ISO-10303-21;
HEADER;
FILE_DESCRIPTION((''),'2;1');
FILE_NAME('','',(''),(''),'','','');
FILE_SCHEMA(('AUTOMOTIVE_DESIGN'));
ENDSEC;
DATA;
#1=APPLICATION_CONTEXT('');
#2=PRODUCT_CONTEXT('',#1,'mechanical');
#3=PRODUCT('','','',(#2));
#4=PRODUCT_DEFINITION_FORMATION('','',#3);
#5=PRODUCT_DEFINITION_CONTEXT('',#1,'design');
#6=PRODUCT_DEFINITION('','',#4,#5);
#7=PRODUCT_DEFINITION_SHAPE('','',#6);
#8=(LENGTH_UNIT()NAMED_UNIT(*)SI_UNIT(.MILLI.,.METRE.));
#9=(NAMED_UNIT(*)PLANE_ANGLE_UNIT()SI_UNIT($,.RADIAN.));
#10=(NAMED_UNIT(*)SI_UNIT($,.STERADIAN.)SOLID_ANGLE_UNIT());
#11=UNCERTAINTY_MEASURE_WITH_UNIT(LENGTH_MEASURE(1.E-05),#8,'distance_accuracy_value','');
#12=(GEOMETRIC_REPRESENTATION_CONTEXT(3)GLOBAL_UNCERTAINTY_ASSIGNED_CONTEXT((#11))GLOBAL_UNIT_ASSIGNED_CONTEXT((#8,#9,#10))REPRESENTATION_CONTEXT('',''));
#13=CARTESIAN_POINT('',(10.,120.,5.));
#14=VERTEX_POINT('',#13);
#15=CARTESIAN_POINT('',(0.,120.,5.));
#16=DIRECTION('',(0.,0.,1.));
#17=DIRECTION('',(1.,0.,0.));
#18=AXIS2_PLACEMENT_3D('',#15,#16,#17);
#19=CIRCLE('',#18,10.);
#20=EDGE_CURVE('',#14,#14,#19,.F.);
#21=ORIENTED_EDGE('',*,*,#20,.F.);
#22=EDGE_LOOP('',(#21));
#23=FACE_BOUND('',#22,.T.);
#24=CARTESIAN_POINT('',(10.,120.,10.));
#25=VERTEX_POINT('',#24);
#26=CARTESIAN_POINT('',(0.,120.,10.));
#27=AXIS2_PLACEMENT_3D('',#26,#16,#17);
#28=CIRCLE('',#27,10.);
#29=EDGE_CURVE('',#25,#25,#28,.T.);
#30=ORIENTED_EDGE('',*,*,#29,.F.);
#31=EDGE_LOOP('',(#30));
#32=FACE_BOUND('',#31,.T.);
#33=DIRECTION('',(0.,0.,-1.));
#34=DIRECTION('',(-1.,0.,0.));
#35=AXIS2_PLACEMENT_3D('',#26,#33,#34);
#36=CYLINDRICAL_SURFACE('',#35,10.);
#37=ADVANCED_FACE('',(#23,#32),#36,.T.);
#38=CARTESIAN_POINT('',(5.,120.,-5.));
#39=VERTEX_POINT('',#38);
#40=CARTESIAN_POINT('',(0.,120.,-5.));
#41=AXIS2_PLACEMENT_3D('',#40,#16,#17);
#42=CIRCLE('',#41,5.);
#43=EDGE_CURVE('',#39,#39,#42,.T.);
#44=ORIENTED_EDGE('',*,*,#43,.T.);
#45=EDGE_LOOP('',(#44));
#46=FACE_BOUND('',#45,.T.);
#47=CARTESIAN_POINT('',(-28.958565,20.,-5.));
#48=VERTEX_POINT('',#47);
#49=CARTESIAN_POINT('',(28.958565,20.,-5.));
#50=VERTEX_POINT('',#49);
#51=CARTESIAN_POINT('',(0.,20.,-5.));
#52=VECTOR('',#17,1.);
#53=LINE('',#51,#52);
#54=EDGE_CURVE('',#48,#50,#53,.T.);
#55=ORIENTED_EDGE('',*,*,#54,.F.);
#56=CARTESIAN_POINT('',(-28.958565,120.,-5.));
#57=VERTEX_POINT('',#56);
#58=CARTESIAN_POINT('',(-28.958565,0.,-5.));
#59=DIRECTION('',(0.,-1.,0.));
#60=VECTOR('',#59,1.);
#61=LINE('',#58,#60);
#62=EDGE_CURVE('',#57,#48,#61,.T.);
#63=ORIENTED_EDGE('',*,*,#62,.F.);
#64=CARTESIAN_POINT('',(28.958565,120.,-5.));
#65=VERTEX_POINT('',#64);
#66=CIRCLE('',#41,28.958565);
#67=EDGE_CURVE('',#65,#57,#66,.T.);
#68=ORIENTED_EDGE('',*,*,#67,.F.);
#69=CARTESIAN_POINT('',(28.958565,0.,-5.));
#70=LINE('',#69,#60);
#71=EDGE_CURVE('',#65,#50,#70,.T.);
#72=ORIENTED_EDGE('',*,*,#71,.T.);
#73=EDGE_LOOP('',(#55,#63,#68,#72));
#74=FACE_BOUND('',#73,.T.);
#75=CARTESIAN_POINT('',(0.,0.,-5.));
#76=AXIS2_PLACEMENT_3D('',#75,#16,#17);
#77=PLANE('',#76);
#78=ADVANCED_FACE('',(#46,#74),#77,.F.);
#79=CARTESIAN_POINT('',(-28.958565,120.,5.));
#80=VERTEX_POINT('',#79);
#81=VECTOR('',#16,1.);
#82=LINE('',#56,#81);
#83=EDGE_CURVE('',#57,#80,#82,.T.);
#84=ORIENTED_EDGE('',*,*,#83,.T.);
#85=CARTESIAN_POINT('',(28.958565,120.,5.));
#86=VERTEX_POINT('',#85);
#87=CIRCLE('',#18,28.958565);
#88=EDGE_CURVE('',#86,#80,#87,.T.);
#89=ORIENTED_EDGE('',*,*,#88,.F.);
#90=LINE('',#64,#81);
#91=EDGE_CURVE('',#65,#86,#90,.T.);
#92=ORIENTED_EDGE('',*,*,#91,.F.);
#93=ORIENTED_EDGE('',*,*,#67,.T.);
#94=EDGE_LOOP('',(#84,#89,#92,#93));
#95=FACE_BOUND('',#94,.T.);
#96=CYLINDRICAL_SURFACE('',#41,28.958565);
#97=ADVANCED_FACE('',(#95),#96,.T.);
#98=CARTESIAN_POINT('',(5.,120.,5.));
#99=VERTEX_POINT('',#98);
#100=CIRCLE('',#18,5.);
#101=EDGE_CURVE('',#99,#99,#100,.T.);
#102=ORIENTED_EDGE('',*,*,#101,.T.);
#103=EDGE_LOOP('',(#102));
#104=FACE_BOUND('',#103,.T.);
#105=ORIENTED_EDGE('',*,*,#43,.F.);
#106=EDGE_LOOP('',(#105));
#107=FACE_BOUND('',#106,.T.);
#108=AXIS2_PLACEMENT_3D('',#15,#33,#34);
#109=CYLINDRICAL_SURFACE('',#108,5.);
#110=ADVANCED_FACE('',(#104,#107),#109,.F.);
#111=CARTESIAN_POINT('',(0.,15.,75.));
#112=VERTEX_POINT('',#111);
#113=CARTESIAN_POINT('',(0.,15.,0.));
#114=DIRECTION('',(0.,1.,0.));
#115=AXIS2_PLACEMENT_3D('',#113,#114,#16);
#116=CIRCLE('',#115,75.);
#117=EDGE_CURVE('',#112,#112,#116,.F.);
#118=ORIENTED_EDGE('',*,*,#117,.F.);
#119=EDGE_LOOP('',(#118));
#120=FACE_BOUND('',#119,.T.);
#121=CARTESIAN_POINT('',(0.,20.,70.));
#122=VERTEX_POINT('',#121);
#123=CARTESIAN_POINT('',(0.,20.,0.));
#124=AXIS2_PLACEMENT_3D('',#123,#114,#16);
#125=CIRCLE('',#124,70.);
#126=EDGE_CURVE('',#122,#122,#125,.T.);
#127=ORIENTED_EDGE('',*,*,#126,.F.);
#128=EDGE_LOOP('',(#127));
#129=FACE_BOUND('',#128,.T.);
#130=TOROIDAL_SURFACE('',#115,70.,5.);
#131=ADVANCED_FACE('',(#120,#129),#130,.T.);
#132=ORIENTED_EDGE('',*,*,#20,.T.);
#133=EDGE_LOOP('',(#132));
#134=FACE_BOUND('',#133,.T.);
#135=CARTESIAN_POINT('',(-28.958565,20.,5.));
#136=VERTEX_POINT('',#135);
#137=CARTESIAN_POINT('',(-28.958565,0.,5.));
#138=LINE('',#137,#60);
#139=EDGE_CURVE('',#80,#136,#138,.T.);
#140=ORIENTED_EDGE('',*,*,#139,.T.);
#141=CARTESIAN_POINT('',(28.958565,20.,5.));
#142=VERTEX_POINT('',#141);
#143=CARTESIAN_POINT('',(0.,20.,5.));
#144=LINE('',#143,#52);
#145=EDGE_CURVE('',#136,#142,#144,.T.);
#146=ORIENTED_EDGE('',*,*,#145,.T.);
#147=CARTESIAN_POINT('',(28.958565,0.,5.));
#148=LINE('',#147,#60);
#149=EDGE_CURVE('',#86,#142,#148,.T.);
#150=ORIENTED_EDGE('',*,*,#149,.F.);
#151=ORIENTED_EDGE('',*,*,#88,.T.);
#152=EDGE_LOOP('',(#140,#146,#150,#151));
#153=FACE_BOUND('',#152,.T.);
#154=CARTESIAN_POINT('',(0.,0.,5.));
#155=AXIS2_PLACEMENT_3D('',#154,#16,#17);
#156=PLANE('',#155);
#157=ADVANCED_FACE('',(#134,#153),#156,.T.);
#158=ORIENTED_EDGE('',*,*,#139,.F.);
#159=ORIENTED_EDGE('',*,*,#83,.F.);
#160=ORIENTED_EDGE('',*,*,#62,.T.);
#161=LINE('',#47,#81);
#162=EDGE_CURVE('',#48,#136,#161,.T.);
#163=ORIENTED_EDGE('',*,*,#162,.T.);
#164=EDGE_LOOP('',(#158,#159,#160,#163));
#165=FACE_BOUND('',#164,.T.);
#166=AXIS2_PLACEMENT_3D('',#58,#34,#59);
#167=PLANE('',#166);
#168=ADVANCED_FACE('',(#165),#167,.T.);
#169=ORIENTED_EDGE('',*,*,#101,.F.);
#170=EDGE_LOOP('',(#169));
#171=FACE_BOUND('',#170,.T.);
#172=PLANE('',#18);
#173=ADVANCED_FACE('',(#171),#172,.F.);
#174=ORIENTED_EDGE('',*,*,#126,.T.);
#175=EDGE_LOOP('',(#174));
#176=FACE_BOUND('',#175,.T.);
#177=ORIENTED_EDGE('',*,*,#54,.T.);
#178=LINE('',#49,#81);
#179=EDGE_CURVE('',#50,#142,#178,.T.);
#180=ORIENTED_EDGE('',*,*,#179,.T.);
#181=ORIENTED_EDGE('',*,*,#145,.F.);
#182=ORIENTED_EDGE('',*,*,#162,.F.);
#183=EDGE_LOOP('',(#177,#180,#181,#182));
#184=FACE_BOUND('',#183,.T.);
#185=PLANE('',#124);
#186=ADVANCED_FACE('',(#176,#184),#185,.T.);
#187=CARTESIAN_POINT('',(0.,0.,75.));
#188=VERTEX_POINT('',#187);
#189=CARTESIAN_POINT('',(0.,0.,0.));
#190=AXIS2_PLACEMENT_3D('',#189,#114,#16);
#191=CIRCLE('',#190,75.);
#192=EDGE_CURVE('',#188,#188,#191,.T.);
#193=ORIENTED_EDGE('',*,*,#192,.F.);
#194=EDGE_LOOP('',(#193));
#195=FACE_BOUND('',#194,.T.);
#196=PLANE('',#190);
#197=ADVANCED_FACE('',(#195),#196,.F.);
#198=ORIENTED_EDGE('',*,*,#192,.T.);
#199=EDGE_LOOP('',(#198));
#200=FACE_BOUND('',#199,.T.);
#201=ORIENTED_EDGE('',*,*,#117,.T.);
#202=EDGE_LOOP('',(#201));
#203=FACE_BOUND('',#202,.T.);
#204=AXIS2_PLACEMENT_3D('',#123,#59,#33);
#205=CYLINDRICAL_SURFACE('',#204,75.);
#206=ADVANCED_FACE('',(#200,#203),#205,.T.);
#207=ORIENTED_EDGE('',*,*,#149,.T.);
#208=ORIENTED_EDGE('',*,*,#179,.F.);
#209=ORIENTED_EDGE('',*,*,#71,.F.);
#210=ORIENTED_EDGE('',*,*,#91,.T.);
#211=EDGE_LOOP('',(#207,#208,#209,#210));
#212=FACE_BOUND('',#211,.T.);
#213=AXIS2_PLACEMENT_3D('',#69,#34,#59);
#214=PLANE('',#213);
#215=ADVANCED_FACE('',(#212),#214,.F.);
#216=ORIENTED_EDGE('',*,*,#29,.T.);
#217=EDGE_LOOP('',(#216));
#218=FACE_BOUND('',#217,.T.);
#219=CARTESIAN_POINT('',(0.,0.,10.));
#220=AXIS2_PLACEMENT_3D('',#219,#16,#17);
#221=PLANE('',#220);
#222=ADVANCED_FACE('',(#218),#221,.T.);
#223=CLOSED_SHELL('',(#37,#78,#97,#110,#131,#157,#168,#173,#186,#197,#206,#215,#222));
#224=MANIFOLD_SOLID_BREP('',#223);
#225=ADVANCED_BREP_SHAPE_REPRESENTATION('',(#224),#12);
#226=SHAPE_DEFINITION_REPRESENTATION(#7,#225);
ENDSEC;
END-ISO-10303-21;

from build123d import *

# Parameters (mm, degrees)
SKETCH1_R                = 75
BOSS_EXTRUDE1_DEPTH      = 20
FILLET1_R                = 5
BOSS_EXTRUDE2_DEPTH      = 5
BOSS_EXTRUDE2_DEPTH_BACK = 5
BOSS_EXTRUDE4_DEPTH      = 10
CUT_EXTRUDE2_DEPTH       = 5
CUT_EXTRUDE2_DEPTH_BACK  = 5
SKETCH4_R                = 5


with BuildPart() as part:
    # Sketch1 → Boss-Extrude1 (new body)
    with BuildSketch(Plane(origin=(0, 0, 0), x_dir=(1, 0, 0), z_dir=(0, 1, 0))):
        Circle(SKETCH1_R)
    extrude(amount=BOSS_EXTRUDE1_DEPTH)

    # Fillet1
    fillet1_edges = [part.edges().sort_by_distance(p)[0] for p in [
        (-75, 20, 0),
    ]]
    fillet(fillet1_edges, radius=FILLET1_R)

    # Sketch2 → Boss-Extrude2 (add, two sides: drawn at the far end of the back side and taken through both)
    with BuildSketch(Plane.XY.offset(-BOSS_EXTRUDE2_DEPTH_BACK)):
        with BuildLine():
            Line((-28.958565119, 120), (-28.958565119, 20))
            Line((-28.958565119, 20), (28.958565119, 20))
            Line((28.958565119, 20), (28.958565119, 120))
            ThreePointArc((28.958565119, 120), (0, 148.958565119), (-28.958565119, 120))
        make_face()
    extrude(amount=BOSS_EXTRUDE2_DEPTH + BOSS_EXTRUDE2_DEPTH_BACK)

    # Sketch3 → Boss-Extrude4 (add)
    with BuildSketch(Plane.XY):
        with BuildLine():
            ThreePointArc((0, 110), (7.071067812, 112.928932188), (10, 120))
            ThreePointArc((10, 120), (-7.071067812, 127.071067812), (0, 110))
        make_face()
    extrude(amount=BOSS_EXTRUDE4_DEPTH)

    # Sketch4 → Cut-Extrude2 (cut, two sides: drawn at the far end of the back side and taken through both)
    with BuildSketch(Plane.XY.offset(-CUT_EXTRUDE2_DEPTH_BACK)):
        with Locations((0, 120)):
            Circle(SKETCH4_R)
    extrude(amount=CUT_EXTRUDE2_DEPTH + CUT_EXTRUDE2_DEPTH_BACK, mode=Mode.SUBTRACT)


solid = part.part
